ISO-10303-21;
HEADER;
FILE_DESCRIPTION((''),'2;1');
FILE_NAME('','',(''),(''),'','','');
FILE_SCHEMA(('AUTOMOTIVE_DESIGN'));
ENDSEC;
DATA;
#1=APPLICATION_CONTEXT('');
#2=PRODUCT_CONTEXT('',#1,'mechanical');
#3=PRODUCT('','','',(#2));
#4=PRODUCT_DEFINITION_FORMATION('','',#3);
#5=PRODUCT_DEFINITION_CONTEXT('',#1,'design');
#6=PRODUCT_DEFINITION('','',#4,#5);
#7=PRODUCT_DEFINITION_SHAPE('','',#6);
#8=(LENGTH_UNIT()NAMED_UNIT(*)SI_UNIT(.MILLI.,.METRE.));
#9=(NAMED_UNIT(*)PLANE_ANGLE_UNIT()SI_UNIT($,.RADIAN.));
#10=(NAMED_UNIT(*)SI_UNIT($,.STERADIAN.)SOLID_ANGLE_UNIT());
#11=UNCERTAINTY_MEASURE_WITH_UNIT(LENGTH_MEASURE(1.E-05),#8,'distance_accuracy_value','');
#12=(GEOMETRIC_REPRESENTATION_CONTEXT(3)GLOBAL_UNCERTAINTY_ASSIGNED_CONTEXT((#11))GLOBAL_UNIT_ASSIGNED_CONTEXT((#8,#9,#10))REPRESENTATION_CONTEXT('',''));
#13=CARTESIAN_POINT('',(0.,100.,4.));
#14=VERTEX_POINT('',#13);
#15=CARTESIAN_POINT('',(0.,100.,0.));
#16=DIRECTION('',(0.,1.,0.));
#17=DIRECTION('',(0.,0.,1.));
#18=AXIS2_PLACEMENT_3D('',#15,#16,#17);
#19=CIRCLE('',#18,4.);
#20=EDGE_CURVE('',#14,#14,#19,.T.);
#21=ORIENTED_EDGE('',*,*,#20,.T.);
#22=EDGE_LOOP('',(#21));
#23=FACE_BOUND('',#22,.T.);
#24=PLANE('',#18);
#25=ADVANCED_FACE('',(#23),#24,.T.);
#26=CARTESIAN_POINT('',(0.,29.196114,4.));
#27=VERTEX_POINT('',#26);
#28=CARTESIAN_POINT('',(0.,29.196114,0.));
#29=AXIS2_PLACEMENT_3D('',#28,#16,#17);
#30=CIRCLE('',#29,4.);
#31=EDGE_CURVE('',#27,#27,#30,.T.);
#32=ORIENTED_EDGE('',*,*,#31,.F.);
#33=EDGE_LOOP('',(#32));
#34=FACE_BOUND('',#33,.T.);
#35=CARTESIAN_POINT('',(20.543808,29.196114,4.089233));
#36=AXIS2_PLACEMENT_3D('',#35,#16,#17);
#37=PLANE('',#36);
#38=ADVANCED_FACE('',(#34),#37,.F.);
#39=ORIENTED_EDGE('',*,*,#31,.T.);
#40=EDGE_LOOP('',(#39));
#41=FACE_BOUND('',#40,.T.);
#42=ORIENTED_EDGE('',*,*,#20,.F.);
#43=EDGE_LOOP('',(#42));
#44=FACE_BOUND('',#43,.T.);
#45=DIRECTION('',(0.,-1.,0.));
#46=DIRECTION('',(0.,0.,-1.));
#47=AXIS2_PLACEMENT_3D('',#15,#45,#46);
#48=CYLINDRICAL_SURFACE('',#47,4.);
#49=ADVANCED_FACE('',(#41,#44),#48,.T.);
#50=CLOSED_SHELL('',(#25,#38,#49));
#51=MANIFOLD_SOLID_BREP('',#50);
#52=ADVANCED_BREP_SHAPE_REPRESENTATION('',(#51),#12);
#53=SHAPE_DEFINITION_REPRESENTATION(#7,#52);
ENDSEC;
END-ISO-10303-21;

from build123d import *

# Parameters (mm, degrees)
CROQUIS1_R              = 4
SALIENTE_EXTRUIR1_DEPTH = 100
CROQUIS2_W              = 17.968690684
CROQUIS2_H              = 31.653106042
CORTAR_EXTRUIR1_DEPTH   = 23


with BuildPart() as part:
    # Croquis1 → Saliente-Extruir1 (new body)
    with BuildSketch(Plane(origin=(0, 0, 0), x_dir=(1, 0, 0), z_dir=(0, 1, 0))):
        with Locations(Location((0, 0, 0), (0, 0, 270))):
            Circle(CROQUIS1_R)
    extrude(amount=SALIENTE_EXTRUIR1_DEPTH)

    # Croquis2 → Cortar-Extruir1 (cut)
    with BuildSketch(Plane(origin=(-3.229670572, 0, -2.359921185), x_dir=(-0.5899802962006548, 0, 0.8074176429178321), z_dir=(-0.8074176429178321, 0, -0.5899802962006548))):
        with Locations((0.165622699, 13.369561391)):
            Rectangle(CROQUIS2_W, CROQUIS2_H)
    extrude(amount=-CORTAR_EXTRUIR1_DEPTH, mode=Mode.SUBTRACT)


solid = part.part
